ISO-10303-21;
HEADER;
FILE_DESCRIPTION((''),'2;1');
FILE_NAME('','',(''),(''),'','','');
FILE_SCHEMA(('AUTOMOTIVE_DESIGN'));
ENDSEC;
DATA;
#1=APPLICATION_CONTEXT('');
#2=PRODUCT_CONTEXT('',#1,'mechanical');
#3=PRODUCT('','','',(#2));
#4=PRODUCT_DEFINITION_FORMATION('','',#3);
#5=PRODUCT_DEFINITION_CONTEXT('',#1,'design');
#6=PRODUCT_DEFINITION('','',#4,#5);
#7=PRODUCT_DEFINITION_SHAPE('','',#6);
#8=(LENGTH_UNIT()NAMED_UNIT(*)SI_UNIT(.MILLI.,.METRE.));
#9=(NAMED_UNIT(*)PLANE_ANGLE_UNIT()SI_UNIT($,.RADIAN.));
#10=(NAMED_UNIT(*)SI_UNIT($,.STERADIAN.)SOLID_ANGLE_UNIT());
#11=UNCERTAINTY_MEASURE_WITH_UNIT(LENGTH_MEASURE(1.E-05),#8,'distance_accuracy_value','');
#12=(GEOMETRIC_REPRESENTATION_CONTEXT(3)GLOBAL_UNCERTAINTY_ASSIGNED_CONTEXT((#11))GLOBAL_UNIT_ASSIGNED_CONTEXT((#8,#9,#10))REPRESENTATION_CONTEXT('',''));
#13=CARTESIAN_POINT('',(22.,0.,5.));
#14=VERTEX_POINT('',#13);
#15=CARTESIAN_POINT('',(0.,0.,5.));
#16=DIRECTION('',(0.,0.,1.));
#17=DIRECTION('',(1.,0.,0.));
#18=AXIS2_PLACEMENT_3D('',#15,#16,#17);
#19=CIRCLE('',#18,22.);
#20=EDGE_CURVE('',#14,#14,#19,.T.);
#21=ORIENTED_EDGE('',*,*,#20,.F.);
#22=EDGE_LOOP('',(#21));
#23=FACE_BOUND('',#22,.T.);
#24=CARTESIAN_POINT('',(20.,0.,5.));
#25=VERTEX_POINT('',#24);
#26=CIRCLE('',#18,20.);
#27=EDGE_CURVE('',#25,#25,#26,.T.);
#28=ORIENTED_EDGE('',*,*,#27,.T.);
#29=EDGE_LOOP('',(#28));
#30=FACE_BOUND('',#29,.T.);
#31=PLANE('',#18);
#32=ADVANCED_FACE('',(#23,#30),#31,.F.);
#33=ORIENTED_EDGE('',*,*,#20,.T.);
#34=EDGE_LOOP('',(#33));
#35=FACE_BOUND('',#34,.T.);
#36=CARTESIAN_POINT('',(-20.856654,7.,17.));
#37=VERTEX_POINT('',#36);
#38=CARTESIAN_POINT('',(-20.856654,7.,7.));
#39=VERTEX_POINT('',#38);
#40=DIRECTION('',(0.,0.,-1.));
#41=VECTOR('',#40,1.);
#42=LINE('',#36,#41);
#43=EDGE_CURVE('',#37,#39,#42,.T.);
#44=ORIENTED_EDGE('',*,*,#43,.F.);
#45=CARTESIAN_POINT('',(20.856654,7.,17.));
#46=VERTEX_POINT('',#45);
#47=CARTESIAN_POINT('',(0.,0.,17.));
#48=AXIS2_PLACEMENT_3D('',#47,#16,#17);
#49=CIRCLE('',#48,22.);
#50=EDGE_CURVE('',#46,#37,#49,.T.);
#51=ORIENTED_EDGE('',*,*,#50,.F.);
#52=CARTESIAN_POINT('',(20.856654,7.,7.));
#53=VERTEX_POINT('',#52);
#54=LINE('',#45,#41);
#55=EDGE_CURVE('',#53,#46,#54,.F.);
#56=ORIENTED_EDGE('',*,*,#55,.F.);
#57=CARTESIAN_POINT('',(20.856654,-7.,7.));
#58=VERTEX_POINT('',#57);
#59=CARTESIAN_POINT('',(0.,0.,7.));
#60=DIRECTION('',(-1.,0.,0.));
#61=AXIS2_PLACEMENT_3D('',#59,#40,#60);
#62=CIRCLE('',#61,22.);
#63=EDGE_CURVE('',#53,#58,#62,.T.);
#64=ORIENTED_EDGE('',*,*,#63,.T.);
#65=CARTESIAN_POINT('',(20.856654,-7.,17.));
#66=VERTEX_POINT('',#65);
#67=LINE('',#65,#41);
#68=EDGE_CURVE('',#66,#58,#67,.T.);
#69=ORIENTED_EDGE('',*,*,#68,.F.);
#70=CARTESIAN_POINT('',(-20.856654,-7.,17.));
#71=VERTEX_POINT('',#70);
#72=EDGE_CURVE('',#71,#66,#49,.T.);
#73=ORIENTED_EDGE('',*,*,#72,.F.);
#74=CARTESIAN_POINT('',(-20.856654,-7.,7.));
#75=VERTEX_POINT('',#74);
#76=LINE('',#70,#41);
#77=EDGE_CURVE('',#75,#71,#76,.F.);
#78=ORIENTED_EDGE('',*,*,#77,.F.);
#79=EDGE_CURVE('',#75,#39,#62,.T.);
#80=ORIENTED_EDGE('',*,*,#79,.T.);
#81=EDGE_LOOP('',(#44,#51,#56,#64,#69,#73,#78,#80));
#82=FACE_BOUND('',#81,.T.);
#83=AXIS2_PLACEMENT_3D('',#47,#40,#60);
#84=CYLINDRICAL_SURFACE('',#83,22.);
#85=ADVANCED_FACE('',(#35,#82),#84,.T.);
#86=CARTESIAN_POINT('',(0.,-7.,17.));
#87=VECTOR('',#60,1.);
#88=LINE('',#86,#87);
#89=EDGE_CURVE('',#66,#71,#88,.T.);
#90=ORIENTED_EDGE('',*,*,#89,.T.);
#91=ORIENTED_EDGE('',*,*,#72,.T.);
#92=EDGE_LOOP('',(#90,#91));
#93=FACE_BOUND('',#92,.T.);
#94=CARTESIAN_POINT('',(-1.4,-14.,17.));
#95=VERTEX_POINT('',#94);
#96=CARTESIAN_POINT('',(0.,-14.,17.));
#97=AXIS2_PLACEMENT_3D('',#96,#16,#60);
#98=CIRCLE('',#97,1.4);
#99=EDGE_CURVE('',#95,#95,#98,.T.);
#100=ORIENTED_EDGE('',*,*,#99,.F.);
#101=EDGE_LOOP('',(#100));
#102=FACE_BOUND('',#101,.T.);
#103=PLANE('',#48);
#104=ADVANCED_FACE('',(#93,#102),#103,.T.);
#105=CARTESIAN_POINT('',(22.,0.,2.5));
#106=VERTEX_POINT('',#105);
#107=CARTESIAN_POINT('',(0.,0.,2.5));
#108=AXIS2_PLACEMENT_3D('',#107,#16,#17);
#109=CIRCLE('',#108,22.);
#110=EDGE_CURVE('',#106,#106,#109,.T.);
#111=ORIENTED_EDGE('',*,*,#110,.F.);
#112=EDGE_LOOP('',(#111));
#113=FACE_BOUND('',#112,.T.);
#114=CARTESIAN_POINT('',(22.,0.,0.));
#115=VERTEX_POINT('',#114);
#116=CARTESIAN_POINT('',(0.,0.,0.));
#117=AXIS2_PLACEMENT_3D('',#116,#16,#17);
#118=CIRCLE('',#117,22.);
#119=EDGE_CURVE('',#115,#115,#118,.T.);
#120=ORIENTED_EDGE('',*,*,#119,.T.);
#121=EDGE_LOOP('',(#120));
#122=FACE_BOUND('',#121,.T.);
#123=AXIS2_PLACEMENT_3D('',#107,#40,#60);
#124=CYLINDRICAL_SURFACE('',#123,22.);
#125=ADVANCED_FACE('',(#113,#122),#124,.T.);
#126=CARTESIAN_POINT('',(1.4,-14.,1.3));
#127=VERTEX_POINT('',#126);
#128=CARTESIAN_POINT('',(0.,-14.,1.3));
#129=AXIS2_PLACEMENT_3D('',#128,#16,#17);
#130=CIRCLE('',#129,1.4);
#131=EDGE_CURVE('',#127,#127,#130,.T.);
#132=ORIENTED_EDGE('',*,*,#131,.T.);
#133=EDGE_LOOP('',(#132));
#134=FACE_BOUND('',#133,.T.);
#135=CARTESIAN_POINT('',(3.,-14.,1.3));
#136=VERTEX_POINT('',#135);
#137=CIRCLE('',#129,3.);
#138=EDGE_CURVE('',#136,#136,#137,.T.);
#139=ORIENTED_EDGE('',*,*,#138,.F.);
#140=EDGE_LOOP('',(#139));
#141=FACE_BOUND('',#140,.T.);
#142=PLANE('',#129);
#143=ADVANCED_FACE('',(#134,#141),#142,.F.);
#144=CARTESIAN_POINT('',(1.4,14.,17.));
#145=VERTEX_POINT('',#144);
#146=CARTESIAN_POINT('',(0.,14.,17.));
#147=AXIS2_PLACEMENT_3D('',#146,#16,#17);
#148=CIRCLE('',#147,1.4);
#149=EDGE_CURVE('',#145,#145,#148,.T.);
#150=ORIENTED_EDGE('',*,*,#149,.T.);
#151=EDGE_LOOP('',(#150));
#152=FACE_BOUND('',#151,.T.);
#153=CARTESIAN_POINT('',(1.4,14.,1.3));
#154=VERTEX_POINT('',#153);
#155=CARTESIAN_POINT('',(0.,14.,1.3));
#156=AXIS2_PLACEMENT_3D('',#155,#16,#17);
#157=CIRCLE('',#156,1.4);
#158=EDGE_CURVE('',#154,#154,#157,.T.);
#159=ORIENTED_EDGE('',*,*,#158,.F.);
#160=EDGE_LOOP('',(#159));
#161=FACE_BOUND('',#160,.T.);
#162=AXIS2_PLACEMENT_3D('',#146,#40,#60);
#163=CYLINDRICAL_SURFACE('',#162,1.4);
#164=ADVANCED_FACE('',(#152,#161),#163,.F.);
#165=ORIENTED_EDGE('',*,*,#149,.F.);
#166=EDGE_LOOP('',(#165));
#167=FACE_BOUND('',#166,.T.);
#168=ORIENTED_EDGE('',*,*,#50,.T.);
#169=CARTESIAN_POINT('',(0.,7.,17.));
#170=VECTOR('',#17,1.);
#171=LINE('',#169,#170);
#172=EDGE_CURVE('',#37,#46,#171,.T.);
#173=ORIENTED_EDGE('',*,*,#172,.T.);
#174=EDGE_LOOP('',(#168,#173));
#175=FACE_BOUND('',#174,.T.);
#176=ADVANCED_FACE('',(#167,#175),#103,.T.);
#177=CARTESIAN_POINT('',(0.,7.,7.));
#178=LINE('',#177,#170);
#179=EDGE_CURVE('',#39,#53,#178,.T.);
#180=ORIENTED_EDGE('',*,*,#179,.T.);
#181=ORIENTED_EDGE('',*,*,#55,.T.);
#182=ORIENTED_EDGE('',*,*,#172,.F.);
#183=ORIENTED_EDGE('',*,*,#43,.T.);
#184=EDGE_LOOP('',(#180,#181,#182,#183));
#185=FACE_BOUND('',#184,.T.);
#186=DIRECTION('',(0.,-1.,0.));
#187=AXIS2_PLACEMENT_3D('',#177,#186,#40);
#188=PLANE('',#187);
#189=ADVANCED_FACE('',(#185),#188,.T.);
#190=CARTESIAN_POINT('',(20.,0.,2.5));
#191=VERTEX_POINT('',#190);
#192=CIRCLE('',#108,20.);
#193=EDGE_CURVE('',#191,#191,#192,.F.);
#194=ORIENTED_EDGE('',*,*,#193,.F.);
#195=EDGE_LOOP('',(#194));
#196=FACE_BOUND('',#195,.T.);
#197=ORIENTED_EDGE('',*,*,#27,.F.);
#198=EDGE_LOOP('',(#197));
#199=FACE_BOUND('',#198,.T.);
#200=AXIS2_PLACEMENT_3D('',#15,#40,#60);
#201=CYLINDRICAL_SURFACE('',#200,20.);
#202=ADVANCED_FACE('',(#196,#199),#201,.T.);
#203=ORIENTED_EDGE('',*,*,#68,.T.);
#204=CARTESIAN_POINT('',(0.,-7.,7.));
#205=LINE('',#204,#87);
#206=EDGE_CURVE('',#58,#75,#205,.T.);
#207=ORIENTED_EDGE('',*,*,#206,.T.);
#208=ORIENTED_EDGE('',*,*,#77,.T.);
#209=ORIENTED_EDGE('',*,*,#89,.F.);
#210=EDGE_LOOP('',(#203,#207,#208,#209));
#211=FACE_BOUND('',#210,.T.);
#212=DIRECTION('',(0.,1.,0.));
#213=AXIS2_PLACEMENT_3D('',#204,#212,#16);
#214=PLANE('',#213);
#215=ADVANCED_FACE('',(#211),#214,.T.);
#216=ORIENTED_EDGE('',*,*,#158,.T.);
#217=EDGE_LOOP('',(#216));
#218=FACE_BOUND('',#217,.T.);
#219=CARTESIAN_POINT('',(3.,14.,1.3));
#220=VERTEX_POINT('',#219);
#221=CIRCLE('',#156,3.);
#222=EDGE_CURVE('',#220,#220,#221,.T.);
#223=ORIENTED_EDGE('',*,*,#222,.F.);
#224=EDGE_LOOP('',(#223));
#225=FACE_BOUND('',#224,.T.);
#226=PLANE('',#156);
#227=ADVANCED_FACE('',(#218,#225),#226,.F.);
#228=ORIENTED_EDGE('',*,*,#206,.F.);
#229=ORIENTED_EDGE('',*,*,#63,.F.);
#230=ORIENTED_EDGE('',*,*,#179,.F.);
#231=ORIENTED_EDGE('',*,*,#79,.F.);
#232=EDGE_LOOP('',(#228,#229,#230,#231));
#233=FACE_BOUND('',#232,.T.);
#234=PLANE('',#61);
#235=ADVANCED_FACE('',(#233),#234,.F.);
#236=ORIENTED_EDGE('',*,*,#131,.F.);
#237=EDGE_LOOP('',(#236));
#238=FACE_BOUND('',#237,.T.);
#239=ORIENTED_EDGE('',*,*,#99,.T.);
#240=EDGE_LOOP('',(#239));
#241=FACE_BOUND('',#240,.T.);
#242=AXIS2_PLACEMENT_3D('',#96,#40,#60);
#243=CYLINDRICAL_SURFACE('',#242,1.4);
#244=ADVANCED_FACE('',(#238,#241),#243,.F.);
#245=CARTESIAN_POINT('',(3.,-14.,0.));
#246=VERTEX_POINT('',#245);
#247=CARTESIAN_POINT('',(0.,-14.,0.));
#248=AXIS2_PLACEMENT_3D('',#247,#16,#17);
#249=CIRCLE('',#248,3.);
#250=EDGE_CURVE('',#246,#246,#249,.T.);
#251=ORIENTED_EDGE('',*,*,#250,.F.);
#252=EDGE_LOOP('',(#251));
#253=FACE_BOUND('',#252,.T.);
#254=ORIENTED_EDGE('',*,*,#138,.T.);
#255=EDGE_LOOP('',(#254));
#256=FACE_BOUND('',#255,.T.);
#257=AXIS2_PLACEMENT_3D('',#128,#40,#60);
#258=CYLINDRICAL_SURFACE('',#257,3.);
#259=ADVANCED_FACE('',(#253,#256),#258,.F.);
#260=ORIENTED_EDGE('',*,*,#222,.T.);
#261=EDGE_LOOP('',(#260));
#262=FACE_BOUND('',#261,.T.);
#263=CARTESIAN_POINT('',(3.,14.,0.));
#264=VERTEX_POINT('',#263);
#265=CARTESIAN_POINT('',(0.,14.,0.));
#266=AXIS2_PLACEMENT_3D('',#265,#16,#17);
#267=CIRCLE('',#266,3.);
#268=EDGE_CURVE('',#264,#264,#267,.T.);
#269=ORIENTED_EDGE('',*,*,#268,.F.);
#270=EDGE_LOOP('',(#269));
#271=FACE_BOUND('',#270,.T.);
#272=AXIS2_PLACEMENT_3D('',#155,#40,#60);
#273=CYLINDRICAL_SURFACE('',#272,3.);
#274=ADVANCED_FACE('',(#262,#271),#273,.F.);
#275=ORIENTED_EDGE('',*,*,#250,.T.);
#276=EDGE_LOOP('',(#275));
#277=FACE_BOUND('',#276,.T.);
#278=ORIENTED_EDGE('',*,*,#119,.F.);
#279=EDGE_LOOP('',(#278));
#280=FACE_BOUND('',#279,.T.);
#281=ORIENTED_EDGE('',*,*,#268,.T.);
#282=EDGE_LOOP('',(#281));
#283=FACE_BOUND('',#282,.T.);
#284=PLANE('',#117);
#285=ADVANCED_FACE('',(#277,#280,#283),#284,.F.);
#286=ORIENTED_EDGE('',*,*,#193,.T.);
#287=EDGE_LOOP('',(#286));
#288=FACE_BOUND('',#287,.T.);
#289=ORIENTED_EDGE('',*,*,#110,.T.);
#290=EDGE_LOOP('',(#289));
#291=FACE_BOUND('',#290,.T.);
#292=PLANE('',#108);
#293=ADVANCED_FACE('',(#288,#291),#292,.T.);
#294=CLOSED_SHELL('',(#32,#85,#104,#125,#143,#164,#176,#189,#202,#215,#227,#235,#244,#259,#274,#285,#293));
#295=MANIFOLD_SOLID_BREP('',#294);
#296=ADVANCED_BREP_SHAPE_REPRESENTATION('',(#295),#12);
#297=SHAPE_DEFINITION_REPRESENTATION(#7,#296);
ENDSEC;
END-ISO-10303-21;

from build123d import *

# Parameters (mm, degrees)
SKETCH1_R           = 22
BOSS_EXTRUDE1_DEPTH = 2.5
SKETCH2_R           = 20
BOSS_EXTRUDE2_DEPTH = 5
BOSS_EXTRUDE3_START = 5
SKETCH1_2_R         = 22
BOSS_EXTRUDE3_DEPTH = 12
CUT_EXTRUDE1_START  = 17
SKETCH3_W           = 56.338981098
SKETCH3_H           = 14
CUT_EXTRUDE1_DEPTH  = 10
SKETCH4_R           = 1.4
CUT_EXTRUDE2_DEPTH  = 18
SKETCH5_R           = 3
CUT_EXTRUDE3_DEPTH  = 1.3


with BuildPart() as part:
    # Sketch1 → Boss-Extrude1 (new body)
    with BuildSketch(Plane.XY):
        Circle(SKETCH1_R)
    extrude(amount=BOSS_EXTRUDE1_DEPTH)

    # Sketch2 → Boss-Extrude2 (add)
    with BuildSketch(Plane.XY):
        Circle(SKETCH2_R)
    extrude(amount=BOSS_EXTRUDE2_DEPTH)

    # Sketch1<2> → Boss-Extrude3 (add)
    with BuildSketch(Plane.XY.offset(BOSS_EXTRUDE3_START)):
        Circle(SKETCH1_2_R)
    extrude(amount=BOSS_EXTRUDE3_DEPTH)

    # Sketch3 → Cut-Extrude1 (cut)
    with BuildSketch(Plane.XY.offset(CUT_EXTRUDE1_START)):
        with Locations((-1.268364496, 0)):
            Rectangle(SKETCH3_W, SKETCH3_H)
    extrude(amount=-CUT_EXTRUDE1_DEPTH, mode=Mode.SUBTRACT)

    # Sketch4 → Cut-Extrude2 (cut, through all)
    with BuildSketch(Plane.XY):
        with Locations((0, 14)):
            Circle(SKETCH4_R)
        with Locations((0, -14)):
            Circle(SKETCH4_R)
    extrude(amount=CUT_EXTRUDE2_DEPTH, mode=Mode.SUBTRACT)

    # Sketch5 → Cut-Extrude3 (cut)
    with BuildSketch(Plane.XY):
        with Locations((0, 14)):
            Circle(SKETCH5_R)
        with Locations((0, -14)):
            Circle(SKETCH5_R)
    extrude(amount=CUT_EXTRUDE3_DEPTH, mode=Mode.SUBTRACT)


solid = part.part
